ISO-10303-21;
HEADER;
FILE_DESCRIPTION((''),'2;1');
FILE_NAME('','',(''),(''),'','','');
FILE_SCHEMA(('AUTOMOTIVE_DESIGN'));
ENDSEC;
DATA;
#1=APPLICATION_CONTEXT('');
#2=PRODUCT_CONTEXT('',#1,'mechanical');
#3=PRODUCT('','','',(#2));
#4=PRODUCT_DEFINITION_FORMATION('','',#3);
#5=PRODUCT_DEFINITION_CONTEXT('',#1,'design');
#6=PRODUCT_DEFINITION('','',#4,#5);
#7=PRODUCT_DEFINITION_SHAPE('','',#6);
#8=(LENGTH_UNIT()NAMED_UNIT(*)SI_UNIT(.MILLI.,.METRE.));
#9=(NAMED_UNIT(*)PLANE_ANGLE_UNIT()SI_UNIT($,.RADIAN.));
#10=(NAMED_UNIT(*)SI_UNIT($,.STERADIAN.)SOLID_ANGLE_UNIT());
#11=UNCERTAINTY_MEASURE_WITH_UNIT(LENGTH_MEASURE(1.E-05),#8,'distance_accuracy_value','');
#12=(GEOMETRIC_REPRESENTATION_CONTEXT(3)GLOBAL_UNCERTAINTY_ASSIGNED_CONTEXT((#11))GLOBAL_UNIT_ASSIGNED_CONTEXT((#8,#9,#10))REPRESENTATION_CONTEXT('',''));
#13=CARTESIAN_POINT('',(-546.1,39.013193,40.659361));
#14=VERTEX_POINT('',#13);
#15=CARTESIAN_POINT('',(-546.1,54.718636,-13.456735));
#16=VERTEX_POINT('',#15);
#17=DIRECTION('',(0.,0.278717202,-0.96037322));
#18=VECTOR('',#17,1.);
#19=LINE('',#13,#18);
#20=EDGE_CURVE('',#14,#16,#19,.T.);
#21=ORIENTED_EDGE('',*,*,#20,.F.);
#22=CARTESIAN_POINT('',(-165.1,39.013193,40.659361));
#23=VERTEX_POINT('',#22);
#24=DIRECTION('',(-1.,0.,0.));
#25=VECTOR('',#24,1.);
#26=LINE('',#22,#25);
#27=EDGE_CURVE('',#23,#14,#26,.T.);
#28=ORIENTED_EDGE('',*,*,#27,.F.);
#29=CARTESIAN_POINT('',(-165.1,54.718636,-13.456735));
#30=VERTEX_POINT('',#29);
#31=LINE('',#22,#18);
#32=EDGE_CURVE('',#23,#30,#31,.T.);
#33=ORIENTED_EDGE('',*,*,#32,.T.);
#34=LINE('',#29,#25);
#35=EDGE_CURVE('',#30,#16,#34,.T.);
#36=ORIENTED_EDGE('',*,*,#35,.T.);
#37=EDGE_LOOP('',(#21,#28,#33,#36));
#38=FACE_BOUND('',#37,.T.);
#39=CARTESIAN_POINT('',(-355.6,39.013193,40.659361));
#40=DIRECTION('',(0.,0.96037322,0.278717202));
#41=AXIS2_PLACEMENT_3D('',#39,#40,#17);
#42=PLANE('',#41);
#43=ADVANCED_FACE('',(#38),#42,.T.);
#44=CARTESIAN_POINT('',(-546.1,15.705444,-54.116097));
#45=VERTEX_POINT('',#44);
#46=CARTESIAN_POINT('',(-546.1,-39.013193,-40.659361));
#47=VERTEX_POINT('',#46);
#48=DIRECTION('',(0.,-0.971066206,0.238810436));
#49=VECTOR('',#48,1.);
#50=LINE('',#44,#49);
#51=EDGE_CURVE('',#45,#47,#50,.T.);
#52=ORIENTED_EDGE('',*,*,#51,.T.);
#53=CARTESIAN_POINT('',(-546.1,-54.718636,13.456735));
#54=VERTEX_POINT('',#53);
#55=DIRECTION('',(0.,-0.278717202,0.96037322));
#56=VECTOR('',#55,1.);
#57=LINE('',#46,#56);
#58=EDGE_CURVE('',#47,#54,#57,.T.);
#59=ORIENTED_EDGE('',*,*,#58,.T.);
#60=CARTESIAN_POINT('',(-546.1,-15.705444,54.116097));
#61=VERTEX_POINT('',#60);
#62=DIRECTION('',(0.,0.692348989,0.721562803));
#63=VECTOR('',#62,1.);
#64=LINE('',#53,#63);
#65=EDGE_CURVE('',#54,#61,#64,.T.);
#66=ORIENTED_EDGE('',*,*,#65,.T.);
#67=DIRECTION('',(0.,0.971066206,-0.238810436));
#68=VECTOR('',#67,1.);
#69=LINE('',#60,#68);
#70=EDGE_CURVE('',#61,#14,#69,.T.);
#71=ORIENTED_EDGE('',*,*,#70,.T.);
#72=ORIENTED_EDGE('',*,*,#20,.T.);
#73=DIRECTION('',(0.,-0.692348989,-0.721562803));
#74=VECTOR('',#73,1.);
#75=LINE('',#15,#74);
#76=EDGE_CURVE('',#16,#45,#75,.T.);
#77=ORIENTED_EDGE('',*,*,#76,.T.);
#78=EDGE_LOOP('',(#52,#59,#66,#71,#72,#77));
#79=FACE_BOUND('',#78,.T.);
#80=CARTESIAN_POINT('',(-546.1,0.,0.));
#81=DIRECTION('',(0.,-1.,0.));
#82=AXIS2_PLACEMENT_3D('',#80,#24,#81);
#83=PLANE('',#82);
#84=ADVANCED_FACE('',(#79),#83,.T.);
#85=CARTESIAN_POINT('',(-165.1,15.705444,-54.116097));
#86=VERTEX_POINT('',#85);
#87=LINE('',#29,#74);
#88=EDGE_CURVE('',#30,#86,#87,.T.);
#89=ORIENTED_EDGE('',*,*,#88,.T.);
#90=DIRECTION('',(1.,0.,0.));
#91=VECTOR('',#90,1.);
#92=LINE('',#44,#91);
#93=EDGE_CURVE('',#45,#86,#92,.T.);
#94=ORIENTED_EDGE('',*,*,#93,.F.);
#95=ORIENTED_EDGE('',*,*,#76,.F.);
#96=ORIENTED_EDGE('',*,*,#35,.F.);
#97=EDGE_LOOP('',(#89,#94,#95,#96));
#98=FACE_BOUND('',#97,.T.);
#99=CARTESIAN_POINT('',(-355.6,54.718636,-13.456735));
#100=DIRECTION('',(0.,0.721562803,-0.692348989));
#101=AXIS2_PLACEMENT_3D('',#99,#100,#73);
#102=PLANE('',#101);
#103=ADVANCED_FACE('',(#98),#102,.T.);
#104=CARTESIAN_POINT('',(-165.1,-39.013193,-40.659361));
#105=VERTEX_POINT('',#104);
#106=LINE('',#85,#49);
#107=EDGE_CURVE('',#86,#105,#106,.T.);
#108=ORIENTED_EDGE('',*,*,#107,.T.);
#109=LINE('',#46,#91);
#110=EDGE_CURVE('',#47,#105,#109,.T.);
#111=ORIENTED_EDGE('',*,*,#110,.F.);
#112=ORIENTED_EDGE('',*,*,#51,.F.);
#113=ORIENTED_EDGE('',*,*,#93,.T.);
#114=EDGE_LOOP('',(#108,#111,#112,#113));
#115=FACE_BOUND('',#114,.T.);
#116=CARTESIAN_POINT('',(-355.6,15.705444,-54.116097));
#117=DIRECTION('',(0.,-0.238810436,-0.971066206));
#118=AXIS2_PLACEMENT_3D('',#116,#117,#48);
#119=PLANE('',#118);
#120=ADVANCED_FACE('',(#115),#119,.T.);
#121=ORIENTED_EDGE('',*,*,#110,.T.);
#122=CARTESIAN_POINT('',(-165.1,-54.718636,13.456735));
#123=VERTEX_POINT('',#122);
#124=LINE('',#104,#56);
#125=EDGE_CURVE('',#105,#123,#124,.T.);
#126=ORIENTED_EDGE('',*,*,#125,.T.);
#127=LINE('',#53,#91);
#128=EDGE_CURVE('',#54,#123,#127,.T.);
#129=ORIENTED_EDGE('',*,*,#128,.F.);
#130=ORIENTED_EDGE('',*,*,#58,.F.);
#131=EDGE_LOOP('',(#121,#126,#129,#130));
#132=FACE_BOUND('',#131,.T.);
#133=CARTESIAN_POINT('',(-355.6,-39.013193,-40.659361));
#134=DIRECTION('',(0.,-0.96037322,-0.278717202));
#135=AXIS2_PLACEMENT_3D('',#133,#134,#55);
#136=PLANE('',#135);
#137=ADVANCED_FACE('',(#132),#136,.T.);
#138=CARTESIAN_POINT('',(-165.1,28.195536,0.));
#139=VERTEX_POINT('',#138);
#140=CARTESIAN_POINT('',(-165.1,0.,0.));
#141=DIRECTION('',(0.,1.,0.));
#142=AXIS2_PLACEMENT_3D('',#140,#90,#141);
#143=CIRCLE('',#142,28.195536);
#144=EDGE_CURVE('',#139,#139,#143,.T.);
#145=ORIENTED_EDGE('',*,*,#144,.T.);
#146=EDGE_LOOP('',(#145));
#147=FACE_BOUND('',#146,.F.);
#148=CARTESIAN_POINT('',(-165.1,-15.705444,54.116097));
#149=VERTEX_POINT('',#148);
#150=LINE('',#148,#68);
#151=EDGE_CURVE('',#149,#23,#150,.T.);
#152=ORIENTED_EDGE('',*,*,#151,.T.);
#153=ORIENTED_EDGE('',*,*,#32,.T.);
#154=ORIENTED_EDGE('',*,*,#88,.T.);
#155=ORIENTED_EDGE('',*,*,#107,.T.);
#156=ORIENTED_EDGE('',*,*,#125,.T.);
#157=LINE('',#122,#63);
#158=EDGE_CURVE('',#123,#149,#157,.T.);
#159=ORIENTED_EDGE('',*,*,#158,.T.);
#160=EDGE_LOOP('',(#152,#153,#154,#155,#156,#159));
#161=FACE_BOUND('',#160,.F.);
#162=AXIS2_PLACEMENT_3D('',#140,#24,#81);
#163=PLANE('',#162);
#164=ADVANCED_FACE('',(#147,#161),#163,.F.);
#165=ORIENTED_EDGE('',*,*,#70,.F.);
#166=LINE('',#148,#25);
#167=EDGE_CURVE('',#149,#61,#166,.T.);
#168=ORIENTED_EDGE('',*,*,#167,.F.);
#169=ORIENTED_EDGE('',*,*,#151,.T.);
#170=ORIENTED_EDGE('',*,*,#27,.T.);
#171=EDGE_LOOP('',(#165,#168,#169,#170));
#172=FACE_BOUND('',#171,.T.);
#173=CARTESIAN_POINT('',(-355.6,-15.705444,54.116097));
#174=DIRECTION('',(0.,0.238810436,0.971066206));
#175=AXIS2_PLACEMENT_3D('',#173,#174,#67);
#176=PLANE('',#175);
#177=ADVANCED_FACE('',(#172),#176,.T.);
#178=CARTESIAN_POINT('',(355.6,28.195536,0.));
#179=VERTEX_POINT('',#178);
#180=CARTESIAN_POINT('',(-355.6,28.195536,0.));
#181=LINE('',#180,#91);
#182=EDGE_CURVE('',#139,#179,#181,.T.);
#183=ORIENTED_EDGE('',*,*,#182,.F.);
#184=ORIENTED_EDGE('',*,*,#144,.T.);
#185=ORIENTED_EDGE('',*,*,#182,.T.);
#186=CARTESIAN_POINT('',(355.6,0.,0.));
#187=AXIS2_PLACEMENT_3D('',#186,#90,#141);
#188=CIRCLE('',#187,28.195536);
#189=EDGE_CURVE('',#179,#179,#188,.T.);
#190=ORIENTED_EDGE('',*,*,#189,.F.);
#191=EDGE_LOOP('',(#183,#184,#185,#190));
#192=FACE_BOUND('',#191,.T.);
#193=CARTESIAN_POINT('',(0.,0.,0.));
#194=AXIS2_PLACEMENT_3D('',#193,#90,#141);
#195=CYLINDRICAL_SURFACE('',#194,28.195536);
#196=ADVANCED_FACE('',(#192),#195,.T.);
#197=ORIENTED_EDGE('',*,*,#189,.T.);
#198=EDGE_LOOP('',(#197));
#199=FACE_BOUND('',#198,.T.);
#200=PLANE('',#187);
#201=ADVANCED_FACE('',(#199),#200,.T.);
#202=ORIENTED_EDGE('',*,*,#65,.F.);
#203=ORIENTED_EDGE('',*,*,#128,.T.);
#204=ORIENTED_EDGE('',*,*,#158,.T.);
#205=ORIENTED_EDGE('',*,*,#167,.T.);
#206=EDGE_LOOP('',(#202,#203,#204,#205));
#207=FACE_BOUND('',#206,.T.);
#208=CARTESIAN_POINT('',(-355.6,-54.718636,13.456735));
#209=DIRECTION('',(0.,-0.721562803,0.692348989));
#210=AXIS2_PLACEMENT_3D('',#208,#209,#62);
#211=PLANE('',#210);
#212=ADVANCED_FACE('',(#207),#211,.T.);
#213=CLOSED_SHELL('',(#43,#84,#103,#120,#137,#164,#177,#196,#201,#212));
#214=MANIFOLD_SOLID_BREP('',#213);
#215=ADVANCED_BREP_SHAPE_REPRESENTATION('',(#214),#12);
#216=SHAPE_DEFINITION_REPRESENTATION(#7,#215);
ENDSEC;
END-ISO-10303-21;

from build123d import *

# Parameters (mm, degrees)
F0_R     = 28.195536
F1_DEPTH = 355.6
F3_DEPTH = 190.5


with BuildPart() as f1:
    # F0 (on Right) → F1 (new body, symmetric)
    with BuildSketch(Plane.YZ):
        Circle(F0_R)
    extrude(amount=F1_DEPTH, both=True)

    # F2 (on face) → F3 (join, symmetric)
    with BuildSketch(Plane(origin=(-355.6, 0, 0), x_dir=(0, -1, 0), z_dir=(-1, 0, 0))):
        Polygon((54.718636, 13.456735), (15.705444, 54.116097), (-39.013193, 40.659361), (-54.718636, -13.456735), (-15.705444, -54.116097), (39.013193, -40.659361), align=None)
    extrude(amount=F3_DEPTH, both=True)


solid = f1.part
